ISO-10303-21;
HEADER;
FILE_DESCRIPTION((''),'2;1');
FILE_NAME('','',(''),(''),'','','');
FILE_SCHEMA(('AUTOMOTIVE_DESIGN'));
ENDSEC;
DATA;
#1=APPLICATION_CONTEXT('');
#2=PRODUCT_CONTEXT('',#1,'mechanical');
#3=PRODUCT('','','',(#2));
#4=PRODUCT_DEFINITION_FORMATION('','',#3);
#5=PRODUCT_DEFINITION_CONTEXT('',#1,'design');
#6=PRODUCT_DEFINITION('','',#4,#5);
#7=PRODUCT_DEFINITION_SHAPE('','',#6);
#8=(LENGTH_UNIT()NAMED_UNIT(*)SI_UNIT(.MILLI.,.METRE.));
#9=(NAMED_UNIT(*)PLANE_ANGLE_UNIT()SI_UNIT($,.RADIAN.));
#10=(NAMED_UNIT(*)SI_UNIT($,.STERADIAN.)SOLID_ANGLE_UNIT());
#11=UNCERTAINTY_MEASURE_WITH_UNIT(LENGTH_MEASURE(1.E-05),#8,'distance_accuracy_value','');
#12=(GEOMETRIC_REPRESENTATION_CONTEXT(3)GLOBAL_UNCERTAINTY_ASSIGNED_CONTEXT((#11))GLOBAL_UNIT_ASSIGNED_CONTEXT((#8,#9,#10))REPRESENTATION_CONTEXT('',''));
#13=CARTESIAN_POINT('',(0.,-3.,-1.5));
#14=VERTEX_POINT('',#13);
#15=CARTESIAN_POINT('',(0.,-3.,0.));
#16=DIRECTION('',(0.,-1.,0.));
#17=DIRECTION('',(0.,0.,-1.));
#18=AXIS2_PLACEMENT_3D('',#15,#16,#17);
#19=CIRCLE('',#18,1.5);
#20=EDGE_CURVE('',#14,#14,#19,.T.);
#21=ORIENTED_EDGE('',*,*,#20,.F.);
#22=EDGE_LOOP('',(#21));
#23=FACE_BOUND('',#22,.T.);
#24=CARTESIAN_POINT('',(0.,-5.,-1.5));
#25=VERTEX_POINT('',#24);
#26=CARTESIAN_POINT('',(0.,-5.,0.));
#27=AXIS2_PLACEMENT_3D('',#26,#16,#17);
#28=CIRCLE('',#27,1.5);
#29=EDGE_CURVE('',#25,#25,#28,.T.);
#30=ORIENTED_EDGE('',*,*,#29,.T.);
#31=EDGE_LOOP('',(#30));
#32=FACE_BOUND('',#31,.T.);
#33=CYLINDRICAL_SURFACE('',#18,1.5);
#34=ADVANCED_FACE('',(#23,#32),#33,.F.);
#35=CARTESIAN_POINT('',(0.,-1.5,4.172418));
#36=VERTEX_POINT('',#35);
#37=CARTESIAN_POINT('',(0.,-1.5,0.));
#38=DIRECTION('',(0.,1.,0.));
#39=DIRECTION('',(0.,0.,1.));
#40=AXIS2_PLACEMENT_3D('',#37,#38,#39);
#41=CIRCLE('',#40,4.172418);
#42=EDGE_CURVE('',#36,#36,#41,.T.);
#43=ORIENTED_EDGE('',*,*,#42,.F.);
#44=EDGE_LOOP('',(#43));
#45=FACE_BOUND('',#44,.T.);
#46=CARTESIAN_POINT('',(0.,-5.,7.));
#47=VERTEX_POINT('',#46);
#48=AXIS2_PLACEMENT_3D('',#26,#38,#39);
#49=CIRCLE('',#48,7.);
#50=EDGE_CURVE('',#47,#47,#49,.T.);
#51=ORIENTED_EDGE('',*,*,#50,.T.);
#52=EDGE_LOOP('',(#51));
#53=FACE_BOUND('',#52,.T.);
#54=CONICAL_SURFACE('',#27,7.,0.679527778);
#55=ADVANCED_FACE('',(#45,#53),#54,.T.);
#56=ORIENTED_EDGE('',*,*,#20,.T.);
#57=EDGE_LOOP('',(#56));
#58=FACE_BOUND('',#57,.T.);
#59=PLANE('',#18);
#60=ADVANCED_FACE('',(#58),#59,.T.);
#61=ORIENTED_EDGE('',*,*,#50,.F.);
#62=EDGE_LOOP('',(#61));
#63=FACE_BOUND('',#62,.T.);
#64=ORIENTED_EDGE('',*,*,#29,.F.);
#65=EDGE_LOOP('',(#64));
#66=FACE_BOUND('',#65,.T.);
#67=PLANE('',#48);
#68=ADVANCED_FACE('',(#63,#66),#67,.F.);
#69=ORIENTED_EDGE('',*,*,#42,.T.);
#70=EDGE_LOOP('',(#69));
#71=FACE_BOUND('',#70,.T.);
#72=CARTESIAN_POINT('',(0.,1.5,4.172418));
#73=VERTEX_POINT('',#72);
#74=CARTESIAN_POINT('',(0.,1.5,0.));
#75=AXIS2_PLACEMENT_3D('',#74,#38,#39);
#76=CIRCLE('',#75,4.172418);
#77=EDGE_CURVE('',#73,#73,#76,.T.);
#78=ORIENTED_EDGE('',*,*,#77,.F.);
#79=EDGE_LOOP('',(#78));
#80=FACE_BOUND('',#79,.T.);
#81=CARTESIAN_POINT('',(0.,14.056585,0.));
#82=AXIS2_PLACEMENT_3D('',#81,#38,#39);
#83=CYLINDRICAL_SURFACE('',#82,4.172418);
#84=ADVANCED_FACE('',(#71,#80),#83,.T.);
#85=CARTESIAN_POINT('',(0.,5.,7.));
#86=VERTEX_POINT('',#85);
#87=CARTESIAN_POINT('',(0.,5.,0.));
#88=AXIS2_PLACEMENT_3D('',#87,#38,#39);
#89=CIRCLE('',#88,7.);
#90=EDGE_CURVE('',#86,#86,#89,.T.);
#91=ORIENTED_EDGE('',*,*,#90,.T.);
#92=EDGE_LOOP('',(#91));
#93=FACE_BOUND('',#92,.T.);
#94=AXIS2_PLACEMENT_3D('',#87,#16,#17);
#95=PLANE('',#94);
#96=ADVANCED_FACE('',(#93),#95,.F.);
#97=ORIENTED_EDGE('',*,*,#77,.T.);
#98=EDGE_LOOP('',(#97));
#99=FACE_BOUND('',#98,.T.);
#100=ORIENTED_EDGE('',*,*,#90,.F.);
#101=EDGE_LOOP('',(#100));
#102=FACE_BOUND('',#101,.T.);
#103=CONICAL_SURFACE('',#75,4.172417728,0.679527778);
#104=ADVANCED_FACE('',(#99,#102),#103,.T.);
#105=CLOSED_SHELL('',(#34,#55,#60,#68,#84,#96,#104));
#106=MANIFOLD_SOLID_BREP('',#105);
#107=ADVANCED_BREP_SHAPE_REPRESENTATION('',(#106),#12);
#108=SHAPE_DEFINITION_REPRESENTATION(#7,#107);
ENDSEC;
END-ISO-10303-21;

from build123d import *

# Parameters (mm, degrees)
CROQUIS2_R            = 1.5
CORTAR_EXTRUIR1_DEPTH = 2


with BuildPart() as part:
    # Croquis1 → Revolución3 (revolve)
    with BuildSketch(Plane.XY):
        Polygon((0, 5), (0, -5), (7, -5), (4.172417728, -1.5), (4.172417728, 1.5), (7, 5), align=None)
    revolve(axis=Axis((0, 14.056584816, 0), (0, -1, 0)))

    # Croquis2 → Cortar-Extruir1 (cut)
    with BuildSketch(Plane(origin=(0, -5, 0), x_dir=(-1, 0, 0), z_dir=(0, -1, 0))):
        Circle(CROQUIS2_R)
    extrude(amount=-CORTAR_EXTRUIR1_DEPTH, mode=Mode.SUBTRACT)


solid = part.part
